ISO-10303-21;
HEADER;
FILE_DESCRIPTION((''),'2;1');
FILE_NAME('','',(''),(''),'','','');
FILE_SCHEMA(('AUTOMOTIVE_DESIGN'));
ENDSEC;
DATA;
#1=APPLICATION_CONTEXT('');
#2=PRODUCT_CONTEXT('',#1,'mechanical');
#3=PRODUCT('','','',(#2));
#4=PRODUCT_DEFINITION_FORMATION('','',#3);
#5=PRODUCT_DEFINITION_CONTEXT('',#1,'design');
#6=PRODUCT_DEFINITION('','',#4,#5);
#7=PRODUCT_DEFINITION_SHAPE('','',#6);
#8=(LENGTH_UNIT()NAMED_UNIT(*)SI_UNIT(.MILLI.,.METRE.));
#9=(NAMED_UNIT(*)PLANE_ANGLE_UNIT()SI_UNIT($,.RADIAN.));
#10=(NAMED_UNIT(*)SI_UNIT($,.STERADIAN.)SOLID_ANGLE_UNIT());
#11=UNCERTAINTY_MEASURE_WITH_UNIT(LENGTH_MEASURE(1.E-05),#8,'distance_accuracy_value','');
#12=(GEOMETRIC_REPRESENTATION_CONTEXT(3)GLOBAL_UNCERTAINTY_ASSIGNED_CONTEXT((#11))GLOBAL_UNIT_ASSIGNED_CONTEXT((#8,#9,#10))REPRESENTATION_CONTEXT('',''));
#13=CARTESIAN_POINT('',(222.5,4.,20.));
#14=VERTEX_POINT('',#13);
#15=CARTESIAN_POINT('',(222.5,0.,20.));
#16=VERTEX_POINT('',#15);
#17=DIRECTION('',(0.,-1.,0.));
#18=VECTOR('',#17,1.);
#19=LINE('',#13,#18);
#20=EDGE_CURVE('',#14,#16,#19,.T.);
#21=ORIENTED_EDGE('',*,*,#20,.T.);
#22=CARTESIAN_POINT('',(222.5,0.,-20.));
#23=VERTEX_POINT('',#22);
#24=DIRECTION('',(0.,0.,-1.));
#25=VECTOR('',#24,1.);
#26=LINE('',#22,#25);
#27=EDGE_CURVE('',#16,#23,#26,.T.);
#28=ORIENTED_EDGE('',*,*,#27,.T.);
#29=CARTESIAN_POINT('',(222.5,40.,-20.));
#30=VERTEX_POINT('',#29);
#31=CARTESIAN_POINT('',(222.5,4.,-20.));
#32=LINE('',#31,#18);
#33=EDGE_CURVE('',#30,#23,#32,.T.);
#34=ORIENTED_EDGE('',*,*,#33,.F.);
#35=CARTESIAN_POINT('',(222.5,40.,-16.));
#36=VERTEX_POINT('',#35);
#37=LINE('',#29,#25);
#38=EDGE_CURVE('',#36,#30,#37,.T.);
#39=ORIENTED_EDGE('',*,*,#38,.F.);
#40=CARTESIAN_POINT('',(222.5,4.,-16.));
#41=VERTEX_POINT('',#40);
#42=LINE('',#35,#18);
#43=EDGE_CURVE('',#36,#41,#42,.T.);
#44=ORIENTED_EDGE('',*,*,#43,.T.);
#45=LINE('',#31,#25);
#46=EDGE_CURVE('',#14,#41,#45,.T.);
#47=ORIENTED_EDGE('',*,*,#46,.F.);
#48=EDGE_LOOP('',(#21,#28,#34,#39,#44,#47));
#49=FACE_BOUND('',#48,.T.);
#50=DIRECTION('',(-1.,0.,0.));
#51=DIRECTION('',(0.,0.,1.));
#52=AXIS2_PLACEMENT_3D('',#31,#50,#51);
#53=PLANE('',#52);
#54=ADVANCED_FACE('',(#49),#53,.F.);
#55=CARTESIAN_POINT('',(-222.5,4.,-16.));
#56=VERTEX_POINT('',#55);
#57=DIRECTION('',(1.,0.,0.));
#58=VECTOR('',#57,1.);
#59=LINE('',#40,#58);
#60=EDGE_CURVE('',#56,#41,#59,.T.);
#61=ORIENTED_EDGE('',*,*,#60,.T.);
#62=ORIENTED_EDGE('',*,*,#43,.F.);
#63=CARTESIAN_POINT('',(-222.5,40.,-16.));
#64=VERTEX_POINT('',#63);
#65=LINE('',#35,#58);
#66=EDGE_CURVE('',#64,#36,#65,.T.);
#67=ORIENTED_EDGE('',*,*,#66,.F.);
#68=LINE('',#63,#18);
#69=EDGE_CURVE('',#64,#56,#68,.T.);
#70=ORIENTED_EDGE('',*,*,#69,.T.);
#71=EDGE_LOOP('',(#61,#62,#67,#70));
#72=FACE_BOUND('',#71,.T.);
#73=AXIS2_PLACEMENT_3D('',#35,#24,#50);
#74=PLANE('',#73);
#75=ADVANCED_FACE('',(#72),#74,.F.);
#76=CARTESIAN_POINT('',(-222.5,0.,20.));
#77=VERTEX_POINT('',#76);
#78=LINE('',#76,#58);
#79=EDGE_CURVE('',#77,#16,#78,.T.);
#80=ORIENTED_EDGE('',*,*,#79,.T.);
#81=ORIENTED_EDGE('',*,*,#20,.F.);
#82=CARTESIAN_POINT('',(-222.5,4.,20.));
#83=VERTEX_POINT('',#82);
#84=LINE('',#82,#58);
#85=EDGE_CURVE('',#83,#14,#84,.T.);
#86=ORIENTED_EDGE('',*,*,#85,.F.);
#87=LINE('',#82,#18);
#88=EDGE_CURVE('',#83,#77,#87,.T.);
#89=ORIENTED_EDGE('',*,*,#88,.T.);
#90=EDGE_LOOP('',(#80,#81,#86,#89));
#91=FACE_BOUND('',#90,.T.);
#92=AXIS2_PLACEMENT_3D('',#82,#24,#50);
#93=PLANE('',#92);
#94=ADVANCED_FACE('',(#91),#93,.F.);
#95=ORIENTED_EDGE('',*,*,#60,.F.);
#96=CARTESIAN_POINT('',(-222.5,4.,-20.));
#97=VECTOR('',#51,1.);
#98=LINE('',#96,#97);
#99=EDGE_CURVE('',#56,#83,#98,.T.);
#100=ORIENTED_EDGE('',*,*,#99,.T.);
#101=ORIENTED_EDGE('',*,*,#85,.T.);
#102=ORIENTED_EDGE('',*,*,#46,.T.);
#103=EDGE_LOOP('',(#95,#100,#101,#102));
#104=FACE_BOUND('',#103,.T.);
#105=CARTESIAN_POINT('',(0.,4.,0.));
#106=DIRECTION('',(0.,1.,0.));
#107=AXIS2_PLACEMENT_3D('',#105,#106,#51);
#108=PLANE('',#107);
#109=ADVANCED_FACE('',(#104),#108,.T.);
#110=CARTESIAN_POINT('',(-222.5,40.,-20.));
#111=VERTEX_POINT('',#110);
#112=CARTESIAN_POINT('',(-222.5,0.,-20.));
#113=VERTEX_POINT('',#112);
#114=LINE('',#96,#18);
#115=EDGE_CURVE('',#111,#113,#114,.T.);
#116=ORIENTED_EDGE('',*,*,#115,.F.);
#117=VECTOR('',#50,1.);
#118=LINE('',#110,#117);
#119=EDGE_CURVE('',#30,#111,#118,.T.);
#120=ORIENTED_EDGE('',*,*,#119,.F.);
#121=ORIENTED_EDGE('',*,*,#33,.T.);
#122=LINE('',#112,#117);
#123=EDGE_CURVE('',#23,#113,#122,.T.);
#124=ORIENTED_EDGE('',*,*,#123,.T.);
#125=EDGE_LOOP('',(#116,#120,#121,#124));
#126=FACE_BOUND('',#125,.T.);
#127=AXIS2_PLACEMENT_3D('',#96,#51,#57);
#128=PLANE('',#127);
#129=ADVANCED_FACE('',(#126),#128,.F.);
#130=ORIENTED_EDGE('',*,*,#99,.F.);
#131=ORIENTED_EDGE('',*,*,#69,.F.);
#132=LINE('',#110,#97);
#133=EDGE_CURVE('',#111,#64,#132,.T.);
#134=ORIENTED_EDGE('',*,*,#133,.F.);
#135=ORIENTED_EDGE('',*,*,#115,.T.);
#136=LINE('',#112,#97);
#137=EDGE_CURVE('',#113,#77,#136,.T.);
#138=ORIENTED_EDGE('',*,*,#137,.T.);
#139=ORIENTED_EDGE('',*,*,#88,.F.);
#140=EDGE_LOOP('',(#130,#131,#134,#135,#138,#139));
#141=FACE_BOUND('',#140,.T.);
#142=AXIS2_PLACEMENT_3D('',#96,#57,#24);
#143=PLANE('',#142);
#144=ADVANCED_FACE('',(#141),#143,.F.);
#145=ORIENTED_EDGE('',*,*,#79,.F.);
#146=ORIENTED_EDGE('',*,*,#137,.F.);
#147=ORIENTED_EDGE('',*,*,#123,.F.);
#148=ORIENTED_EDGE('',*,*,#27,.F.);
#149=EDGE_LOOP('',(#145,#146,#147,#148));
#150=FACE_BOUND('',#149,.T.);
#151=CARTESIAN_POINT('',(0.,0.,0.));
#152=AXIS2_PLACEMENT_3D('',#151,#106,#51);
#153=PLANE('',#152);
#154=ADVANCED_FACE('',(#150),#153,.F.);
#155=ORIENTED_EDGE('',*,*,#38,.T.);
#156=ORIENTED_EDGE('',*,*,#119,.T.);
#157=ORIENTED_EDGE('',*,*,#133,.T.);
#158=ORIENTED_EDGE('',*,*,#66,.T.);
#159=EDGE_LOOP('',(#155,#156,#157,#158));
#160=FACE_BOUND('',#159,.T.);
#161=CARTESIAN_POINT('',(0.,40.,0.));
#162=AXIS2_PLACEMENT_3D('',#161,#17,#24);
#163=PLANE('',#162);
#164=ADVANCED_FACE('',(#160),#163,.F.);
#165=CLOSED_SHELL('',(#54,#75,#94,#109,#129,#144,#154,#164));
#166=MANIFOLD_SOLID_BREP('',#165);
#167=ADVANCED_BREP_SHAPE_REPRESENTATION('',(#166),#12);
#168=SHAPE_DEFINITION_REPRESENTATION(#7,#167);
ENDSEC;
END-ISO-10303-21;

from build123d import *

# Parameters (mm, degrees)
SKETCH1_W           = 445
SKETCH1_H           = 40
BOSS_EXTRUDE1_DEPTH = 4
SKETCH2_W           = 445
SKETCH2_H           = 4
BOSS_EXTRUDE2_DEPTH = 36


with BuildPart() as part:
    # Sketch1 → Boss-Extrude1 (new body)
    with BuildSketch(Plane(origin=(0, 0, 0), x_dir=(1, 0, 0), z_dir=(0, 1, 0))):
        Rectangle(SKETCH1_W, SKETCH1_H)
    extrude(amount=BOSS_EXTRUDE1_DEPTH)

    # Sketch2 → Boss-Extrude2 (add)
    with BuildSketch(Plane(origin=(0, 4, 0), x_dir=(1, 0, 0), z_dir=(0, 1, 0))):
        with Locations((0, 18)):
            Rectangle(SKETCH2_W, SKETCH2_H)
    extrude(amount=BOSS_EXTRUDE2_DEPTH)


solid = part.part
